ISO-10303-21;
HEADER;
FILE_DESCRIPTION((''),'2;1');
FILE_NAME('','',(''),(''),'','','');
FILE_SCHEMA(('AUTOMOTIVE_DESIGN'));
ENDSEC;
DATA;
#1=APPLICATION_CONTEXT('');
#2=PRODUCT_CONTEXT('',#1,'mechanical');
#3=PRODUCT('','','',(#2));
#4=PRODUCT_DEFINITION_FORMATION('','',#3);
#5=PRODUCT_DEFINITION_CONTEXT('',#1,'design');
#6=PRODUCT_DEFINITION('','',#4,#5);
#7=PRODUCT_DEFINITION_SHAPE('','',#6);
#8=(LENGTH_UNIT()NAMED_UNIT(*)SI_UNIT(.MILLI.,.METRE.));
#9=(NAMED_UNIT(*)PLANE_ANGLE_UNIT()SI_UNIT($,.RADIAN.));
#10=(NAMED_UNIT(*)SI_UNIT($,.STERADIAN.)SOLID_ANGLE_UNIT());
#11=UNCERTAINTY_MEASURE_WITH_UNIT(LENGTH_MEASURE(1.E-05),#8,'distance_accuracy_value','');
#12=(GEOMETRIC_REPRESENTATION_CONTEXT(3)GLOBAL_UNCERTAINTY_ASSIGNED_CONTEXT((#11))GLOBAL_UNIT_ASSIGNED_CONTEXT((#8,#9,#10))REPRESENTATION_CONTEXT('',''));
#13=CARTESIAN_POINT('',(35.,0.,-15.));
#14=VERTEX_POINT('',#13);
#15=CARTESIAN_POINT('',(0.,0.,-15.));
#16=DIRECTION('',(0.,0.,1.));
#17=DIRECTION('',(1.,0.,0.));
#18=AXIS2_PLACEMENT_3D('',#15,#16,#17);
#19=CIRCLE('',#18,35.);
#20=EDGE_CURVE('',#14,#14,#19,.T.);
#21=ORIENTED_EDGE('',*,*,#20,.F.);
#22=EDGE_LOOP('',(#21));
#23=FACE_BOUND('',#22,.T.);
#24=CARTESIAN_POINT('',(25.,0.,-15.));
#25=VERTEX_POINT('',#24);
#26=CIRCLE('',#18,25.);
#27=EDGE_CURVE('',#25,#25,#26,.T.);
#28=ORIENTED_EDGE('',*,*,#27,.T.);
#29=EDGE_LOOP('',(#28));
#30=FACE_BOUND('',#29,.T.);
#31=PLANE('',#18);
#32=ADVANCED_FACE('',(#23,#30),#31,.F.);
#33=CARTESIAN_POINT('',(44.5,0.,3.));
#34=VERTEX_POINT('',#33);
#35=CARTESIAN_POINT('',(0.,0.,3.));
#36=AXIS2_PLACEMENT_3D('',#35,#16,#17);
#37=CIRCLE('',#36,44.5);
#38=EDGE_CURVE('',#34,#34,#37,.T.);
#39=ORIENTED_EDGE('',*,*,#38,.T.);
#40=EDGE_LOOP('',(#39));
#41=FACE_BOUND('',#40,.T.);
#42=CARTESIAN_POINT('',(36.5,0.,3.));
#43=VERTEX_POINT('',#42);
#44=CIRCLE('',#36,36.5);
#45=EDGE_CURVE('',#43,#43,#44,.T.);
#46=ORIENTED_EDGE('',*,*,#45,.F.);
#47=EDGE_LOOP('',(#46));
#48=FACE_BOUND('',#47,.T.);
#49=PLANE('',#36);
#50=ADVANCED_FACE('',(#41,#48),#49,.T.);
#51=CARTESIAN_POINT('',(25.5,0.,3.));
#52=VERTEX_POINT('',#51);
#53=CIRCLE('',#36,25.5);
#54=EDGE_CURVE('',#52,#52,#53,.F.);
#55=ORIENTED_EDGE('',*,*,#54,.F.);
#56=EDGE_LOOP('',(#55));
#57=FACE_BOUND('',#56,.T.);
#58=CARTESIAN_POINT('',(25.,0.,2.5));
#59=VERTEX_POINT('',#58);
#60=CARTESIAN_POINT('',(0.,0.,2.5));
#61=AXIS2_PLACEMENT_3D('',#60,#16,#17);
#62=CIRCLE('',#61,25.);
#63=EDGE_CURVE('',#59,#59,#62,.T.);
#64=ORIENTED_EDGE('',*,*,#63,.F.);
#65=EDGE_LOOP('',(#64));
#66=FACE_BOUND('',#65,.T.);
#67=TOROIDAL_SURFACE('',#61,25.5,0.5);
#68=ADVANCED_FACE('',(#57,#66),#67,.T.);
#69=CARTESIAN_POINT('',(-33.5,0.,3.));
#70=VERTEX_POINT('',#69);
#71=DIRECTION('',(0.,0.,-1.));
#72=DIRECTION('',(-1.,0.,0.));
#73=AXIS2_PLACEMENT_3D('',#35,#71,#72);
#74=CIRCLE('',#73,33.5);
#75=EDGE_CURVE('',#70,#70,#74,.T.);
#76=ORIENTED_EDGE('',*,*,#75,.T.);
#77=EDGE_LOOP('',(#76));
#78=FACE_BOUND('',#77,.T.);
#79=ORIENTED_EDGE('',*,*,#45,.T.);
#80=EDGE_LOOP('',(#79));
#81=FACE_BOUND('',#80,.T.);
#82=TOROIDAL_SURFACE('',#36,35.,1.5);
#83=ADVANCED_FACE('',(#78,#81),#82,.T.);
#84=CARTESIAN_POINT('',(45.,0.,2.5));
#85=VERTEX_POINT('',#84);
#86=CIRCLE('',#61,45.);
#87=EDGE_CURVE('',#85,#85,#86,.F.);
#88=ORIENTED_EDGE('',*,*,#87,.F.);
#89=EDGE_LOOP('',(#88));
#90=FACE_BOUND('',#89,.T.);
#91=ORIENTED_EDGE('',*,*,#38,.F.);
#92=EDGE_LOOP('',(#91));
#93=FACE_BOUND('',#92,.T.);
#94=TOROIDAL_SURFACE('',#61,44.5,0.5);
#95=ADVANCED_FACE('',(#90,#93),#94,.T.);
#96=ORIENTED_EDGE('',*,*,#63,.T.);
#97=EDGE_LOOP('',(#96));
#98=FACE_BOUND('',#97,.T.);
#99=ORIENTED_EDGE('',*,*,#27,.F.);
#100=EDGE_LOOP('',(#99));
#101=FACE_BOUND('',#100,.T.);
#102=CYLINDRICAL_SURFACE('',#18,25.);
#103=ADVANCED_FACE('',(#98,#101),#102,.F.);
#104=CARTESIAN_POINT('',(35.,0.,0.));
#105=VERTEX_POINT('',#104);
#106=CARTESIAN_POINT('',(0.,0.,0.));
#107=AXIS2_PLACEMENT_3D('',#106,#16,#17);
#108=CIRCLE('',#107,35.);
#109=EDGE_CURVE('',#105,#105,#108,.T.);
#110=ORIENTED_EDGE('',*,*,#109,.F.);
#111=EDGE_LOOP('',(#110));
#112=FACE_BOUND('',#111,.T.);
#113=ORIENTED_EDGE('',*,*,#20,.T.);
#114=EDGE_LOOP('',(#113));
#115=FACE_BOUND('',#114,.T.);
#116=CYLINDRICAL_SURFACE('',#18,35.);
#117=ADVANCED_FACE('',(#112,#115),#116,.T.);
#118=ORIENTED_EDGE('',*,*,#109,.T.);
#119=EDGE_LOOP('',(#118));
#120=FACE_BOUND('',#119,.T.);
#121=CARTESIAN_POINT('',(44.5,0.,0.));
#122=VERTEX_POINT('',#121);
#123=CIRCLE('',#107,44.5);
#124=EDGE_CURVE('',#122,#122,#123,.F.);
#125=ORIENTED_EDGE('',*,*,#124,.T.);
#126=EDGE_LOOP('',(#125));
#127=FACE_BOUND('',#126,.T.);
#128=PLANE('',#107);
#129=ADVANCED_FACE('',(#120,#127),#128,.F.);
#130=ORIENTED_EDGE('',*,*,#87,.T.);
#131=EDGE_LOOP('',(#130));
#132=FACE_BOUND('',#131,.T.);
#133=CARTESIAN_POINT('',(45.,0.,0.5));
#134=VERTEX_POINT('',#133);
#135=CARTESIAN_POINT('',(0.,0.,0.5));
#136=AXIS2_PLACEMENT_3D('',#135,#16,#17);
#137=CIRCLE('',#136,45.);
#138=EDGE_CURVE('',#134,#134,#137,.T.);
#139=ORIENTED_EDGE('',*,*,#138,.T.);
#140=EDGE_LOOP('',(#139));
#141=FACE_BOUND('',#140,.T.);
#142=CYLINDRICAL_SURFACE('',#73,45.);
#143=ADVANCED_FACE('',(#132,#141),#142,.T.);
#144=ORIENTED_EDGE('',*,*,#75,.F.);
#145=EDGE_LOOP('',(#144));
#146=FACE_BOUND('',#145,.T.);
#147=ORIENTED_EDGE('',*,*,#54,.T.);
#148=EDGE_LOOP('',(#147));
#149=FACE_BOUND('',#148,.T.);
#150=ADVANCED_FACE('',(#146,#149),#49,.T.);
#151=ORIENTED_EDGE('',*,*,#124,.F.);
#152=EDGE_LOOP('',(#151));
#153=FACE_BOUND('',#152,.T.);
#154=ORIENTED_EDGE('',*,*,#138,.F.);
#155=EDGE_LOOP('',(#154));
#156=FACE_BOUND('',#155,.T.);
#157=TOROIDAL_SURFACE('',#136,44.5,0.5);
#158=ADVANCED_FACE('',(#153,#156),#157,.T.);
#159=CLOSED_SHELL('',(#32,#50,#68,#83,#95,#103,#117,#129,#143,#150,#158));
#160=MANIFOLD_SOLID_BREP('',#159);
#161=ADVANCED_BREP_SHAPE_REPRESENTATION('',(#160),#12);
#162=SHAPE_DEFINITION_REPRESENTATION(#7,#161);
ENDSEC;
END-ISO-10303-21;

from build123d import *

# Parameters (mm, degrees)
SKETCH1_R           = 35
SKETCH1_R_2         = 25
BOSS_EXTRUDE1_DEPTH = 15
BOSS_EXTRUDE2_START = 3
SKETCH2_R           = 45
SKETCH2_R_2         = 25
BOSS_EXTRUDE2_DEPTH = 3
SKETCH3_R           = 1.5
FILLET1_R           = 0.5


with BuildPart() as part:
    # Sketch1 → Boss-Extrude1 (new body)
    with BuildSketch(Plane(origin=(0, 0, 0), x_dir=(0, 1, 0), z_dir=(0, 0, 1))):
        with Locations(Location((0, 0, 0), (0, 0, 270))):
            Circle(SKETCH1_R)
        with Locations(Location((0, 0, 0), (0, 0, 270))):
            Circle(SKETCH1_R_2, mode=Mode.SUBTRACT)
    extrude(amount=-BOSS_EXTRUDE1_DEPTH)

    # Sketch2 → Boss-Extrude2 (add)
    with BuildSketch(Plane.XY.offset(BOSS_EXTRUDE2_START)):
        Circle(SKETCH2_R)
        Circle(SKETCH2_R_2, mode=Mode.SUBTRACT)
    extrude(amount=-BOSS_EXTRUDE2_DEPTH)

    # Sketch3 → Revolve1 (revolve)
    with BuildSketch(Plane.YZ, mode=Mode.PRIVATE) as revolve1_sk:
        with Locations((-35, 3)):
            Circle(SKETCH3_R)
    revolve(revolve1_sk.sketch.rotate(Axis((0, 0, 13.091516213), (0, 0, -1)), 270), axis=Axis((0, 0, 13.091516213), (0, 0, -1)))

    # Fillet1
    fillet1_edges = [part.edges().sort_by_distance(p)[0] for p in [
        (-45, 0, 3),
        (-45, 0, 0),
        (-25, 0, 3),
    ]]
    fillet(fillet1_edges, radius=FILLET1_R)


solid = part.part
